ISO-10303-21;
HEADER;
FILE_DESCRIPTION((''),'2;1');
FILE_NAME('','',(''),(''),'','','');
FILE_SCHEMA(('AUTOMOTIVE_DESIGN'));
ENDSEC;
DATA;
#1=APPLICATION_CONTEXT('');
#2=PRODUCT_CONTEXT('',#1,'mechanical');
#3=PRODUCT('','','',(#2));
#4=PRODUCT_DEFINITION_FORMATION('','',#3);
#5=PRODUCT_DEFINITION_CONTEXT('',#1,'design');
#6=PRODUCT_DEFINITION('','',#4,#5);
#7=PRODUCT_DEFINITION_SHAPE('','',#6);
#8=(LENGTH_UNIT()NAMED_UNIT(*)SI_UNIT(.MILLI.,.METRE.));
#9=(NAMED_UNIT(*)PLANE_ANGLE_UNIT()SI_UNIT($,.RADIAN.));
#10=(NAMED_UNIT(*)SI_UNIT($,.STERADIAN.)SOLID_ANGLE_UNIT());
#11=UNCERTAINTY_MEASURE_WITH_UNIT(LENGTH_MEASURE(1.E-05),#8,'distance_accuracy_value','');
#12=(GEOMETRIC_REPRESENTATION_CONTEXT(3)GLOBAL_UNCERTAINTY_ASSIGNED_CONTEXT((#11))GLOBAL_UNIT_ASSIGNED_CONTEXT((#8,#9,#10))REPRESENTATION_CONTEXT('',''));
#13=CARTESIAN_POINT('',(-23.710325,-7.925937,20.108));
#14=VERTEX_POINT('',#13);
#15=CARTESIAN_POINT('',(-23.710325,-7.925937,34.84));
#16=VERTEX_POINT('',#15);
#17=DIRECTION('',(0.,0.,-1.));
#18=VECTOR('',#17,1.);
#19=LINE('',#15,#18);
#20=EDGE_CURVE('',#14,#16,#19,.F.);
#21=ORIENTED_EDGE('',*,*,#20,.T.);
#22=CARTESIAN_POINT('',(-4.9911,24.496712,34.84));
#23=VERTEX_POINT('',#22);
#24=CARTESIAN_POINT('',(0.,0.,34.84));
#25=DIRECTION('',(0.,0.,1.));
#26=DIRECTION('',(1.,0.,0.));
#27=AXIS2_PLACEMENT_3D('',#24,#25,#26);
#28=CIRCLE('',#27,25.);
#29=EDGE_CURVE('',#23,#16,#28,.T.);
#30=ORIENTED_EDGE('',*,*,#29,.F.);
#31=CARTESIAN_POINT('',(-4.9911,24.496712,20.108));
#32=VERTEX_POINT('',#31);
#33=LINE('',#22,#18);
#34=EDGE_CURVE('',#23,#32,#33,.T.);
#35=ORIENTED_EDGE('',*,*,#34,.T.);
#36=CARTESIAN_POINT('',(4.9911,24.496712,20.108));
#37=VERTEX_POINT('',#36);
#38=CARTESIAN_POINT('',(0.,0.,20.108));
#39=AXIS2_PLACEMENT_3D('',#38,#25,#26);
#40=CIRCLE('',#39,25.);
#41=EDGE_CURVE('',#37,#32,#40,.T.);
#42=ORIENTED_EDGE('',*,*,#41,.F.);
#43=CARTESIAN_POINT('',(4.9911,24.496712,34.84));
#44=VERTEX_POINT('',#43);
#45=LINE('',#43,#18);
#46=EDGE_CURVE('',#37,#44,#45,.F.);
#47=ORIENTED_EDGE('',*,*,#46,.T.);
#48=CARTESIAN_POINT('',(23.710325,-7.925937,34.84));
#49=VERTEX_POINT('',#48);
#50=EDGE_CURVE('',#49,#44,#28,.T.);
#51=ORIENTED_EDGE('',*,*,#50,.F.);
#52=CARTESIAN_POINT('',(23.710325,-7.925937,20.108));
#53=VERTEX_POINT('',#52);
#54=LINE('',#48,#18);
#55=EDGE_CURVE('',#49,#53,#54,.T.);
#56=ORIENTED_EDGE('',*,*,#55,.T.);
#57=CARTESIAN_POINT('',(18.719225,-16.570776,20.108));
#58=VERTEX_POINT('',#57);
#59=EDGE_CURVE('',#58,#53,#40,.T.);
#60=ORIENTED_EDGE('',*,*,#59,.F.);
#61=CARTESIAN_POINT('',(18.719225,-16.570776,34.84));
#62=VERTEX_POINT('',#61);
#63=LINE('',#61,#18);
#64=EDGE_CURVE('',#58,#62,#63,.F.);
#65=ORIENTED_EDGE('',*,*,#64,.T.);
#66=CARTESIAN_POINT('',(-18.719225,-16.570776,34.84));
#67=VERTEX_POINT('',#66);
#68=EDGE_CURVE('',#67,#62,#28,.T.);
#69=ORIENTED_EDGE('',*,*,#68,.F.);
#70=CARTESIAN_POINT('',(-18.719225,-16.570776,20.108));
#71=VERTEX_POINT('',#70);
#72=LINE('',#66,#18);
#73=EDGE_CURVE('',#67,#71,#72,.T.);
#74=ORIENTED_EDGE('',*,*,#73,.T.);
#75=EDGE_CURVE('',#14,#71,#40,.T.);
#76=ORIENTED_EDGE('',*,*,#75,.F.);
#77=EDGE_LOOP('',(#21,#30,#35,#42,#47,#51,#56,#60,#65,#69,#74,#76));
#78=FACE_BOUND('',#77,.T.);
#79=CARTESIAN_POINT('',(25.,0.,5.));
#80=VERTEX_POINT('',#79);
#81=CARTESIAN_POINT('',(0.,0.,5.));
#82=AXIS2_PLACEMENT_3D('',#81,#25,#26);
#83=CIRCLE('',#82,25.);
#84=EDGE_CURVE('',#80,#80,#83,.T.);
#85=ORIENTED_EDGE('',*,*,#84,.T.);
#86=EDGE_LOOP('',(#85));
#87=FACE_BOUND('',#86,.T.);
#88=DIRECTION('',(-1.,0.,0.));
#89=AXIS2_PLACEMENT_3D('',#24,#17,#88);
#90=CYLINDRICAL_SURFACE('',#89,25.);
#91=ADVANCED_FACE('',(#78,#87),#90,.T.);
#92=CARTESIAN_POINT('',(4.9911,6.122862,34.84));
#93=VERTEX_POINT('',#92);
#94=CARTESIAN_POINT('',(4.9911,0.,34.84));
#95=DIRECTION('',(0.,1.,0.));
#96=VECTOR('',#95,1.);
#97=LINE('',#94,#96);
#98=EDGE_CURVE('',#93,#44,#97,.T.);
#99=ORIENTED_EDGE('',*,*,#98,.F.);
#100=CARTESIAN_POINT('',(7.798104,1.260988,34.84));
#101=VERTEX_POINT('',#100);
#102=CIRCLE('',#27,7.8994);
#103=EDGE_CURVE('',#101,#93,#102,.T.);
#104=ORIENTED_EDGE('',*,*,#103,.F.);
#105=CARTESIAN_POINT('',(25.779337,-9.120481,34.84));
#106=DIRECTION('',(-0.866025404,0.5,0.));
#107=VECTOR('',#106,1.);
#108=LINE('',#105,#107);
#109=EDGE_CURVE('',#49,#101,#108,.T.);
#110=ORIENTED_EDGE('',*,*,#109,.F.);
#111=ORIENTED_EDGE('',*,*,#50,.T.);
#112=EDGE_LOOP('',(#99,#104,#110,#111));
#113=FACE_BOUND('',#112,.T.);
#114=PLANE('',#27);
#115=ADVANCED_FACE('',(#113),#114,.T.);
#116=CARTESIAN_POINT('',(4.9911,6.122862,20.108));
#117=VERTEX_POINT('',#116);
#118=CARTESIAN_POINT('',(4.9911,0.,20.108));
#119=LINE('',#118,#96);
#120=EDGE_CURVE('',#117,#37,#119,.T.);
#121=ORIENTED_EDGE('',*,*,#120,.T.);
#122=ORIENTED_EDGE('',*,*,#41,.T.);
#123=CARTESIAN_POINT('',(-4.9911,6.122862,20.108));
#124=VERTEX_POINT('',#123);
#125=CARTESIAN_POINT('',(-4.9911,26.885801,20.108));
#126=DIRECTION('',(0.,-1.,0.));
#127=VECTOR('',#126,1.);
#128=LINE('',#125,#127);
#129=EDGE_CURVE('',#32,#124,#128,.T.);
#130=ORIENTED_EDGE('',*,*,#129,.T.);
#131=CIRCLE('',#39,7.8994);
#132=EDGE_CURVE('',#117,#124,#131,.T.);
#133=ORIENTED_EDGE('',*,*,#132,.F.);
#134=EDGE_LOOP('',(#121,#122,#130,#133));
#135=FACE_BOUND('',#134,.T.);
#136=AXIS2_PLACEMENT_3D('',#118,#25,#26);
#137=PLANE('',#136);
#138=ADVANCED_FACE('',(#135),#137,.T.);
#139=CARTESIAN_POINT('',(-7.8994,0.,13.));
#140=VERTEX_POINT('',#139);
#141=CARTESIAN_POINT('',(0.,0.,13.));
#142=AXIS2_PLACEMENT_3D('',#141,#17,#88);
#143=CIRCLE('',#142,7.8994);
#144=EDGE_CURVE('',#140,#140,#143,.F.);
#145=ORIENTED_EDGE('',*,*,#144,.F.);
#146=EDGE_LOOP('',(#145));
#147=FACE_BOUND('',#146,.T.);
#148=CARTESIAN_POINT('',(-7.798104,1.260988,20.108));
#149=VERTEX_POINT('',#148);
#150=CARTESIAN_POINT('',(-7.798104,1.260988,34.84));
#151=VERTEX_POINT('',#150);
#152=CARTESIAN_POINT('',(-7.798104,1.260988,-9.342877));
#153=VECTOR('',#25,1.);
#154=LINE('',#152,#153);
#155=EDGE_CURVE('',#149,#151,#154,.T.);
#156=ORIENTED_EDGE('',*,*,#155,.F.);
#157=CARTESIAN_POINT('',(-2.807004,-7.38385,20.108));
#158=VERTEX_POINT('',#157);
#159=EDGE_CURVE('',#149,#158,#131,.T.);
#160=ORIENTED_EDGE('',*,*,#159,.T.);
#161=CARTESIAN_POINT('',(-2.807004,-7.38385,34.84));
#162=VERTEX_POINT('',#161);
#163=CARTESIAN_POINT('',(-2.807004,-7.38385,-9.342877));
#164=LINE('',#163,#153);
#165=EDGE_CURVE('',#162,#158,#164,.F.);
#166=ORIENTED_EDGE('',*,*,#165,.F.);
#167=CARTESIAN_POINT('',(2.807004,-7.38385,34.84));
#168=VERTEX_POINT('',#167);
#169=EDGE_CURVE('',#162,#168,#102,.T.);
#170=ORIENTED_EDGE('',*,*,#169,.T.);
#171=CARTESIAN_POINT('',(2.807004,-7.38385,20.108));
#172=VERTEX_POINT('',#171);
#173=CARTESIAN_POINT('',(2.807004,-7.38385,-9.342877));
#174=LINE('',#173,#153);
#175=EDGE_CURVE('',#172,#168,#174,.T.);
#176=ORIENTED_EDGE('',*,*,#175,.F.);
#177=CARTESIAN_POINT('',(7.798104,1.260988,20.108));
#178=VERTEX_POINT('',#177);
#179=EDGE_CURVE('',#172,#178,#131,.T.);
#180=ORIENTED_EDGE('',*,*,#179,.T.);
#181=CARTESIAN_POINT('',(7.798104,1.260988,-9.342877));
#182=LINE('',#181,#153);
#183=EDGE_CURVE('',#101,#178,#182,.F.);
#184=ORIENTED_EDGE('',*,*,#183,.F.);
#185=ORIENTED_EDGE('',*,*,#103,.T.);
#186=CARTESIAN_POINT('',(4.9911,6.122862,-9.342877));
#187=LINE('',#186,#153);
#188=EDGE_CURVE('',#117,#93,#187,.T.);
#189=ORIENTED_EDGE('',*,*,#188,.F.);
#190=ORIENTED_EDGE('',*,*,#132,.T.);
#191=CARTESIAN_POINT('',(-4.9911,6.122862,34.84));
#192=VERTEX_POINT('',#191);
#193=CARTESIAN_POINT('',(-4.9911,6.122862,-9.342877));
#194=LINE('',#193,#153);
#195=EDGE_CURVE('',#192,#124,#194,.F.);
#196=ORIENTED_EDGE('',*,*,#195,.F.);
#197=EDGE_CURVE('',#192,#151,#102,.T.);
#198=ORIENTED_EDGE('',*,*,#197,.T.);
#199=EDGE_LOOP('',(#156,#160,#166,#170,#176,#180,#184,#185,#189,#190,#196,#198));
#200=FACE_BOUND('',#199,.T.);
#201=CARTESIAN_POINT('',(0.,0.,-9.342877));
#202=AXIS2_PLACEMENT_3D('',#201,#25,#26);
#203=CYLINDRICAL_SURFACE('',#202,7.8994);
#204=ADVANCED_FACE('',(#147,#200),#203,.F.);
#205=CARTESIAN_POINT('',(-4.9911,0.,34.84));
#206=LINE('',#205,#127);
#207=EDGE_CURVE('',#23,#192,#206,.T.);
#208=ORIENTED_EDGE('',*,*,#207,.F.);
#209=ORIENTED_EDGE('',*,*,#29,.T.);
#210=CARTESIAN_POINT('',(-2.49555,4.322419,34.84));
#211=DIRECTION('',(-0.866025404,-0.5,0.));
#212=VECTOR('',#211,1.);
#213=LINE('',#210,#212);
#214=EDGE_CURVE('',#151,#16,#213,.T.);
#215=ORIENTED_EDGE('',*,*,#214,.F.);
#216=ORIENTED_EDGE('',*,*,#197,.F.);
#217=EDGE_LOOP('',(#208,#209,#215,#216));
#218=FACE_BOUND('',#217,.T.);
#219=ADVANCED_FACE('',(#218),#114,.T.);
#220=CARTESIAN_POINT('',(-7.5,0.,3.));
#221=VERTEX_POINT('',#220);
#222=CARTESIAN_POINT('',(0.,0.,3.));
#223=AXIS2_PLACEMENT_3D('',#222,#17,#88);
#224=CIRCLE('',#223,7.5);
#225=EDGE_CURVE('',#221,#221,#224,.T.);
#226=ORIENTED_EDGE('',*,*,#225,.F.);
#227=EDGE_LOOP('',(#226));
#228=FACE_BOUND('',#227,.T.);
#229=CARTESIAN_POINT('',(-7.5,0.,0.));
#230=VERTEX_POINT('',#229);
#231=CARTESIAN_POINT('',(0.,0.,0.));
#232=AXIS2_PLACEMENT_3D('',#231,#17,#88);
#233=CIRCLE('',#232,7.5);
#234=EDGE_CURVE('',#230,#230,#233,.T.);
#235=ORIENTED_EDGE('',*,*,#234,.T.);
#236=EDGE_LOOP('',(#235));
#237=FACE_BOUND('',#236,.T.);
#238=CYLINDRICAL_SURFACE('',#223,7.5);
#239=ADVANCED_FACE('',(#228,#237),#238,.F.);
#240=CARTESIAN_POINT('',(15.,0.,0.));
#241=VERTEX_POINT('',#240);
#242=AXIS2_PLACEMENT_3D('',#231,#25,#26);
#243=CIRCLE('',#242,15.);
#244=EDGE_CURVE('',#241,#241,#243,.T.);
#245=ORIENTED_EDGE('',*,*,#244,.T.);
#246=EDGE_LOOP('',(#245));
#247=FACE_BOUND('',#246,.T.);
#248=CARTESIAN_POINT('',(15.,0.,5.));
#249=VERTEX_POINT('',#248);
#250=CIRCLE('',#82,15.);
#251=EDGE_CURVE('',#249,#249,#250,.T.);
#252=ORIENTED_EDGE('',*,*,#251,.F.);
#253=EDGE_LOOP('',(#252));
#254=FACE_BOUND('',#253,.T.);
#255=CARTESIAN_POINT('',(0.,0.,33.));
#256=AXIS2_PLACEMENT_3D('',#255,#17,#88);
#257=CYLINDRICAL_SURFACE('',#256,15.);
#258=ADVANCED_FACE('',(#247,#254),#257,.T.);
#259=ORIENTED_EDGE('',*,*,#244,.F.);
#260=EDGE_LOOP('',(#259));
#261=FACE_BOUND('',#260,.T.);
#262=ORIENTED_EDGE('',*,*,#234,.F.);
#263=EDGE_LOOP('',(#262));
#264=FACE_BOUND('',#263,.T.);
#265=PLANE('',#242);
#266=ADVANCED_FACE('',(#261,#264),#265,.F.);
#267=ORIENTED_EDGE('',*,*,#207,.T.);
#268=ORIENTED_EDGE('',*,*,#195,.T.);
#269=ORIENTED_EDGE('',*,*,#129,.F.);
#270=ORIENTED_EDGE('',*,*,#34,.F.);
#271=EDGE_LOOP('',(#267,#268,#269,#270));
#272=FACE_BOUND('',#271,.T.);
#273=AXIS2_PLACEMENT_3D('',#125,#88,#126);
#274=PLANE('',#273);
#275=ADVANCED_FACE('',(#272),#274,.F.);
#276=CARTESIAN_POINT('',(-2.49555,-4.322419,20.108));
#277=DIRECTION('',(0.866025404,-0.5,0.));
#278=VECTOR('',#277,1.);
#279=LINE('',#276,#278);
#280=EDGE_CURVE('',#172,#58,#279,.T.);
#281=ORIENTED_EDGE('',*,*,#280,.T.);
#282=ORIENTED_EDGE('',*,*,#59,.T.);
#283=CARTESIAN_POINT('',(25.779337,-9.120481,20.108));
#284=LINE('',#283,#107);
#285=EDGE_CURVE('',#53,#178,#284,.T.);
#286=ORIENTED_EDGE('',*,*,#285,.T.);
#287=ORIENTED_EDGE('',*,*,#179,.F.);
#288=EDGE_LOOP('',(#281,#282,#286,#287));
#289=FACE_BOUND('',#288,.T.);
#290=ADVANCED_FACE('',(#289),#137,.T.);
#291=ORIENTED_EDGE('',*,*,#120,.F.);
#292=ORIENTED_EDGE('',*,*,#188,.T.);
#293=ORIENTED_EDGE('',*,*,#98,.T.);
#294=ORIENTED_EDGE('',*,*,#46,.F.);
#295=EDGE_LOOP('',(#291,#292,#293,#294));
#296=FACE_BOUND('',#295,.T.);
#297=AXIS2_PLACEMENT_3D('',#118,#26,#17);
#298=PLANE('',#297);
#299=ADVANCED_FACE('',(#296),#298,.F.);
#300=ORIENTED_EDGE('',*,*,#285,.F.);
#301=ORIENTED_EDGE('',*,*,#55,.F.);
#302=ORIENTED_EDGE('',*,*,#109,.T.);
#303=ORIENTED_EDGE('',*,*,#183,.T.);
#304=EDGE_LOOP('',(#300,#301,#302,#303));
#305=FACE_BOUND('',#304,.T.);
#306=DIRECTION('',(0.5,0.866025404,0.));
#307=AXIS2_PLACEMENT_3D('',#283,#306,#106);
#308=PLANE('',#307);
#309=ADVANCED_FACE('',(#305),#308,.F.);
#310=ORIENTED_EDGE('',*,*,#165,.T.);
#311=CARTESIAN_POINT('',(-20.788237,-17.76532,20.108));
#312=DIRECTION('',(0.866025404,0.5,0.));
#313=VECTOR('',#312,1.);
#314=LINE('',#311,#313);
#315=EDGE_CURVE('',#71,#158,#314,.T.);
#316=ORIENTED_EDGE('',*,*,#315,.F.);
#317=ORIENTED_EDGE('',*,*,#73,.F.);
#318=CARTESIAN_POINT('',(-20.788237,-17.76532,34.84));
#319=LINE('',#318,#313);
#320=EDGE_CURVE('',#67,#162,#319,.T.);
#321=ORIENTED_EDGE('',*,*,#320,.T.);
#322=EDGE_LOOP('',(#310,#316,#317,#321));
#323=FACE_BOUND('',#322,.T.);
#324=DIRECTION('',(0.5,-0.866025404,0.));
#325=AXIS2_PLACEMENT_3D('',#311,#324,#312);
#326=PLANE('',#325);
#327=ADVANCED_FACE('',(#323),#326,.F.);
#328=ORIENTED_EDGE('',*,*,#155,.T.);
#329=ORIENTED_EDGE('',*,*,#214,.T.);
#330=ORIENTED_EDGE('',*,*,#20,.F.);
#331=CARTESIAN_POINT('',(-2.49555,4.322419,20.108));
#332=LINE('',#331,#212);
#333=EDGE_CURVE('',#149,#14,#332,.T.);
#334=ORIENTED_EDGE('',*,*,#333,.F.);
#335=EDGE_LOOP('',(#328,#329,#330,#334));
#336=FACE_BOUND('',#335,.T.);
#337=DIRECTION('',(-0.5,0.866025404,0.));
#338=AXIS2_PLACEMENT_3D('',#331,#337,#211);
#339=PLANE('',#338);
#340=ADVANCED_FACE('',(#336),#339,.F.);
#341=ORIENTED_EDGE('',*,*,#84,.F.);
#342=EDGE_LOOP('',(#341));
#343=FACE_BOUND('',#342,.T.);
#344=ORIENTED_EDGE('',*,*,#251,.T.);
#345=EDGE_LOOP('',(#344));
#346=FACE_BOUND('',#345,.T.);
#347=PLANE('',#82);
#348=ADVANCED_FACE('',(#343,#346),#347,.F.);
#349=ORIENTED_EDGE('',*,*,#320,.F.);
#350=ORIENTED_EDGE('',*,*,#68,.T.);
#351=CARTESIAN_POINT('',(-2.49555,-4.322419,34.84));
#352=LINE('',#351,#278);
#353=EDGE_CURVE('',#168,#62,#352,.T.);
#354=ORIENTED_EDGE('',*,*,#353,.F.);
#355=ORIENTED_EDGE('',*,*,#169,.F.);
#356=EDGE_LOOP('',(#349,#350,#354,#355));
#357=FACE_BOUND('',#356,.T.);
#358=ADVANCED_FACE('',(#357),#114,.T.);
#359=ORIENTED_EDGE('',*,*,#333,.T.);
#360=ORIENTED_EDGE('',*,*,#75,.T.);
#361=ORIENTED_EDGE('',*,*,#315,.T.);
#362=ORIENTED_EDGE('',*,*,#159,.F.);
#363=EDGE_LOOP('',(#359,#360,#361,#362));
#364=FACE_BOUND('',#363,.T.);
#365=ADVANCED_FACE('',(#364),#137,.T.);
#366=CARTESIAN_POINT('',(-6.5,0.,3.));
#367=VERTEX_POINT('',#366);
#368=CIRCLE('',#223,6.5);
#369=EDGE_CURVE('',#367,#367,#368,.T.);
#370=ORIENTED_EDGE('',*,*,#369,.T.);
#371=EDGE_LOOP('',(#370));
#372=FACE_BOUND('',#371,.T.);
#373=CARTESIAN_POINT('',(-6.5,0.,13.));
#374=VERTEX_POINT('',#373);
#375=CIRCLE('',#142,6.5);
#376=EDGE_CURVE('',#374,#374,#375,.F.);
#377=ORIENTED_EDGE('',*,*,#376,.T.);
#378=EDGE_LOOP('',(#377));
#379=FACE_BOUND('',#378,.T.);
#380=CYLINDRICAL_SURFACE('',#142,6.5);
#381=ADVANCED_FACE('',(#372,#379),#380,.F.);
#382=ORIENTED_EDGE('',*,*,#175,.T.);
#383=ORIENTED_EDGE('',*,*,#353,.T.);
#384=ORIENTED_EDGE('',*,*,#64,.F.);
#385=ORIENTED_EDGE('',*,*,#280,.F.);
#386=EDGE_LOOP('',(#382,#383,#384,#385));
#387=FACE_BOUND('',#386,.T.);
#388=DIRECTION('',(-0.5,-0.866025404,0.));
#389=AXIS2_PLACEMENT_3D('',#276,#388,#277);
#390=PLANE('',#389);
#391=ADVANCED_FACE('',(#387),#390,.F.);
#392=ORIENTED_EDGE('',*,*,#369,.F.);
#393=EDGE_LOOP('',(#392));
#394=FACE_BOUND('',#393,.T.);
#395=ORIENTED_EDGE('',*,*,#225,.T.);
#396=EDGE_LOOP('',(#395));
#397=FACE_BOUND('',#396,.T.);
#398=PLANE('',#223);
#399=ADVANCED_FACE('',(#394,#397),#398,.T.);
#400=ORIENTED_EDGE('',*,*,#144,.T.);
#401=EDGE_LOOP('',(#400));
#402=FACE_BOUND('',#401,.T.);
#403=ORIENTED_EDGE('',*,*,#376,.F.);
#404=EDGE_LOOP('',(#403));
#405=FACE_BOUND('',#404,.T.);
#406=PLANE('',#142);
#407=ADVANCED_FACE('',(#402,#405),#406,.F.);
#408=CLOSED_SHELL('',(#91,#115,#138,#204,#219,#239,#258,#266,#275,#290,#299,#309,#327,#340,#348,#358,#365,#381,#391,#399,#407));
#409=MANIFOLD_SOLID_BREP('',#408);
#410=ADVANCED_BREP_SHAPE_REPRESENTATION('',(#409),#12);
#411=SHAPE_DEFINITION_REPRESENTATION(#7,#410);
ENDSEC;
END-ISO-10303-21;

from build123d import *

# Parameters (mm, degrees)
SKETCH1_R          = 15
EXTRUDE1_DEPTH     = 33
SKETCH2_R          = 7.5
CUT_EXTRUDE1_DEPTH = 3
SKETCH3_R          = 25
EXTRUDE2_DEPTH     = 29.84000001
CUT_EXTRUDE2_DEPTH = 14.732
CIRPATTERN1_COUNT  = 3
SKETCH6_R          = 6.5
CUT_EXTRUDE4_DEPTH = 10
CUT_EXTRUDE3_REACH = 51.637
SKETCH5_R          = 7.8994


with BuildPart() as part:
    # Sketch1 → Extrude1 (new body)
    with BuildSketch(Plane.XY):
        Circle(SKETCH1_R)
    extrude(amount=EXTRUDE1_DEPTH)

    # Sketch2 → Cut-Extrude1 (cut)
    with BuildSketch(Plane(origin=(0, 0, 0), x_dir=(-1, 0, 0), z_dir=(0, 0, -1))):
        Circle(SKETCH2_R)
    extrude(amount=-CUT_EXTRUDE1_DEPTH, mode=Mode.SUBTRACT)

    # Sketch3 → Extrude2 (add)
    with BuildSketch(Plane.XY.offset(4.999999906)):
        Circle(SKETCH3_R)
    extrude(amount=EXTRUDE2_DEPTH)

    # Sketch4 → Cut-Extrude2 (cut)
    with BuildSketch(Plane.XY.offset(34.839999916)):
        Polygon((0, 0), (4.9911, 0), (4.9911, 26.885801132), (-4.9911, 26.885801132), (-4.9911, 0), align=None)
    cut_extrude2 = extrude(amount=-CUT_EXTRUDE2_DEPTH, mode=Mode.SUBTRACT)

    # CirPattern1: Cut-Extrude2 ×3 about axis
    cirpattern1_axis = Axis((0, 0, 0), (0, 0, 1))
    for i in range(1, CIRPATTERN1_COUNT):
        add(cut_extrude2.rotate(cirpattern1_axis, i * 360 / CIRPATTERN1_COUNT), mode=Mode.SUBTRACT)

    # Sketch6 → Cut-Extrude4 (cut)
    with BuildSketch(Plane(origin=(0, 0, 3), x_dir=(-1, 0, 0), z_dir=(0, 0, -1))):
        Circle(SKETCH6_R)
    extrude(amount=-CUT_EXTRUDE4_DEPTH, mode=Mode.SUBTRACT)

    # Cut-Extrude3: up to this face of the body (flat: up to its plane)
    cut_extrude3_end = Plane(part.part.faces().sort_by_distance((0, 0, 13))[0])
    # Sketch5 → Cut-Extrude3 (cut, up to the picked face)
    with BuildSketch(Plane.XY.offset(34.839999916), mode=Mode.PRIVATE) as cut_extrude3_sk1:
        with Locations(Location((0, 0, 0), (0, 0, 9.185472822))):
            Circle(SKETCH5_R)
    cut_extrude3_tool1 = split(extrude(cut_extrude3_sk1.sketch, amount=-CUT_EXTRUDE3_REACH, mode=Mode.PRIVATE), bisect_by=cut_extrude3_end, keep=Keep.BOTH, mode=Mode.PRIVATE)
    add(cut_extrude3_tool1.solids().sort_by(Axis((0, 0, 34.84), (0, 0, -1)))[0], mode=Mode.SUBTRACT)


solid = part.part
